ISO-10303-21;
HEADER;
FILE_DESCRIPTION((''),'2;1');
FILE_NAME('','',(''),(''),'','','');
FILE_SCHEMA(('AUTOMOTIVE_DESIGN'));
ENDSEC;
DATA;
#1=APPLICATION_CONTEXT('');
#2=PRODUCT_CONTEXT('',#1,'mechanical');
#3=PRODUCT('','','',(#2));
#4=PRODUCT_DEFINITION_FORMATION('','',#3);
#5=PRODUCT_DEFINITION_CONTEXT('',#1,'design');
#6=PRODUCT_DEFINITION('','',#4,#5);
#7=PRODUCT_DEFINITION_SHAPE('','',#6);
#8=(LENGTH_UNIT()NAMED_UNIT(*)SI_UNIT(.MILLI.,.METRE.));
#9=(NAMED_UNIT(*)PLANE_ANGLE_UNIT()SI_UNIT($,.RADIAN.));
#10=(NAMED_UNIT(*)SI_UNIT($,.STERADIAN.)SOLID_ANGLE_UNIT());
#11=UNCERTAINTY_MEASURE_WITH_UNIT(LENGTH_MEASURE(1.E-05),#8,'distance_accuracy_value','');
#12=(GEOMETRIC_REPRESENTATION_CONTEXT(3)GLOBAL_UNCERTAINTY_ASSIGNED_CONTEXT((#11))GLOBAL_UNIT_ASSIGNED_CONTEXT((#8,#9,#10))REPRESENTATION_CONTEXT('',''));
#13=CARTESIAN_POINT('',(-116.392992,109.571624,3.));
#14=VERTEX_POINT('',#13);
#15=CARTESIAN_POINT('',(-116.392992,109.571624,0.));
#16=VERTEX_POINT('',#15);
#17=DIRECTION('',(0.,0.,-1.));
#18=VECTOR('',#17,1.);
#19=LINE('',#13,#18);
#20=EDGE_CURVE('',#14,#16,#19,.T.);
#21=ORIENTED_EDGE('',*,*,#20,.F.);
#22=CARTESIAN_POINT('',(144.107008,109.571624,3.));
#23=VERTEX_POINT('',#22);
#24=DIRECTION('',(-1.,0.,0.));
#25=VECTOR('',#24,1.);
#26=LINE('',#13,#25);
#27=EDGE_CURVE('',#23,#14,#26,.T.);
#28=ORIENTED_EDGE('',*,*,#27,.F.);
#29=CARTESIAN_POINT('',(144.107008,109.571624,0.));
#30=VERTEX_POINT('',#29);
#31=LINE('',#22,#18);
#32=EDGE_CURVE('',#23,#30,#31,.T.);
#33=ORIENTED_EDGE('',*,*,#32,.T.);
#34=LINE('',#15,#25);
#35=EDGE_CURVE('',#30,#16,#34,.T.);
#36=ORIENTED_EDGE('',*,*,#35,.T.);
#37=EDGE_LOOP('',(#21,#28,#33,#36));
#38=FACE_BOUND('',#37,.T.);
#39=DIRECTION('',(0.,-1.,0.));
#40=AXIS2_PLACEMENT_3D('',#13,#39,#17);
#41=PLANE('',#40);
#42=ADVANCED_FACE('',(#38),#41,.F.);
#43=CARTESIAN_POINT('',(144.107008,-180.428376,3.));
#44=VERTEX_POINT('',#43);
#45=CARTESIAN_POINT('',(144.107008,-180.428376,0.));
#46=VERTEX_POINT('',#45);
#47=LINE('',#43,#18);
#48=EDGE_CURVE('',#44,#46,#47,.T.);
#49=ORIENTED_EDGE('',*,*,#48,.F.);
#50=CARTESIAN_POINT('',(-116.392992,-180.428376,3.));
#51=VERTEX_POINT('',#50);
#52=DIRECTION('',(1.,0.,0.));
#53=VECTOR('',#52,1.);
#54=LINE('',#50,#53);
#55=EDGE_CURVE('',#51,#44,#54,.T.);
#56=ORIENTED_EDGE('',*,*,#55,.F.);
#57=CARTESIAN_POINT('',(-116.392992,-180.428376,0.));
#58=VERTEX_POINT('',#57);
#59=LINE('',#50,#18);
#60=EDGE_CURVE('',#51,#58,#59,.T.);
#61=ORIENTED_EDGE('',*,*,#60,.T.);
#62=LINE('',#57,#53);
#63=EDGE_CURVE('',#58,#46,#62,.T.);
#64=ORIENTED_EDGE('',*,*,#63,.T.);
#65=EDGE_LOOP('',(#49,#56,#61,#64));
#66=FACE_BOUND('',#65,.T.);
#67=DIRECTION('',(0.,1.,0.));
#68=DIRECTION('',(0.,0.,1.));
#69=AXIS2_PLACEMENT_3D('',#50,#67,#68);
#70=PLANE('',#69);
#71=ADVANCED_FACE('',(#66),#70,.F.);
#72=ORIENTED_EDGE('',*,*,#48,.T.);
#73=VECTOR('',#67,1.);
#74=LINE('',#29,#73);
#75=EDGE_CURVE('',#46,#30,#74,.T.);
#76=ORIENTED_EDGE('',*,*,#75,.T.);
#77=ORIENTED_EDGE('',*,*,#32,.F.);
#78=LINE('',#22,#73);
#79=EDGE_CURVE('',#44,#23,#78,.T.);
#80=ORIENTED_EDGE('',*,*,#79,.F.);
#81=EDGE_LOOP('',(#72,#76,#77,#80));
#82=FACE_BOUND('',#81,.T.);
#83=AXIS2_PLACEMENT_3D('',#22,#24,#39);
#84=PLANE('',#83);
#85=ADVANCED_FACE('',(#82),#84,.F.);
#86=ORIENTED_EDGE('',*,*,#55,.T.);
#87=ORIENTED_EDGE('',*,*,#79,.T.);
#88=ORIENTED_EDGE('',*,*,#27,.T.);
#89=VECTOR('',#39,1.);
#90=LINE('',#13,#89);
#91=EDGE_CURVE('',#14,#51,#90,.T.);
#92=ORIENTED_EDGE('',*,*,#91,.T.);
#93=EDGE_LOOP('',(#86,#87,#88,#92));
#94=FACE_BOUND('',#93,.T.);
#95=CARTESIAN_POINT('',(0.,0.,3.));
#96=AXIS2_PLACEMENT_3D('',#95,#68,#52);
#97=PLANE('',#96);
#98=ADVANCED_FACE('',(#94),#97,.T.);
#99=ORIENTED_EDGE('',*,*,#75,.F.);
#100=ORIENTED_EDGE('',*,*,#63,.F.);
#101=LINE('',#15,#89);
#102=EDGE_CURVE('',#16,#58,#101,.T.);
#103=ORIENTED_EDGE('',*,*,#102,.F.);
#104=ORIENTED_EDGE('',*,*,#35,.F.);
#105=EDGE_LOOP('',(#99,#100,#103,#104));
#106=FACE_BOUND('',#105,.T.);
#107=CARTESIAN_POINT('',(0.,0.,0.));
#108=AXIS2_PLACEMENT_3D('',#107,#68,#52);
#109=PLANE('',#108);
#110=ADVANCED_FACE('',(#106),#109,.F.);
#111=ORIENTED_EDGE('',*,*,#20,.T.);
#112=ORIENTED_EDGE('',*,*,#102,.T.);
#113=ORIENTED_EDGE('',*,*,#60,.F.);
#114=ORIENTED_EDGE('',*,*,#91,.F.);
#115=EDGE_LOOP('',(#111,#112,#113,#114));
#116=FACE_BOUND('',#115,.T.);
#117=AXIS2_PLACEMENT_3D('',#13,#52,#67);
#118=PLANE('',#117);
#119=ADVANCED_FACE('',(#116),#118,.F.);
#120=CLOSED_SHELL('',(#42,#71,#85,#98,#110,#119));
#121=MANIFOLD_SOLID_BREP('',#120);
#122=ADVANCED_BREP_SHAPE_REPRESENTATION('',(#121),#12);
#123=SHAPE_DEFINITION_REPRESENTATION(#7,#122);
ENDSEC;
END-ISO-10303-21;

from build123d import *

# Parameters (mm, degrees)
CROQUIS1_W              = 260.5
CROQUIS1_H              = 290
SALIENTE_EXTRUIR1_DEPTH = 3


with BuildPart() as part:
    # Croquis1 → Saliente-Extruir1 (new body)
    with BuildSketch(Plane.XY):
        with Locations((13.857007726, -35.428375912)):
            Rectangle(CROQUIS1_W, CROQUIS1_H)
    extrude(amount=SALIENTE_EXTRUIR1_DEPTH)


solid = part.part
